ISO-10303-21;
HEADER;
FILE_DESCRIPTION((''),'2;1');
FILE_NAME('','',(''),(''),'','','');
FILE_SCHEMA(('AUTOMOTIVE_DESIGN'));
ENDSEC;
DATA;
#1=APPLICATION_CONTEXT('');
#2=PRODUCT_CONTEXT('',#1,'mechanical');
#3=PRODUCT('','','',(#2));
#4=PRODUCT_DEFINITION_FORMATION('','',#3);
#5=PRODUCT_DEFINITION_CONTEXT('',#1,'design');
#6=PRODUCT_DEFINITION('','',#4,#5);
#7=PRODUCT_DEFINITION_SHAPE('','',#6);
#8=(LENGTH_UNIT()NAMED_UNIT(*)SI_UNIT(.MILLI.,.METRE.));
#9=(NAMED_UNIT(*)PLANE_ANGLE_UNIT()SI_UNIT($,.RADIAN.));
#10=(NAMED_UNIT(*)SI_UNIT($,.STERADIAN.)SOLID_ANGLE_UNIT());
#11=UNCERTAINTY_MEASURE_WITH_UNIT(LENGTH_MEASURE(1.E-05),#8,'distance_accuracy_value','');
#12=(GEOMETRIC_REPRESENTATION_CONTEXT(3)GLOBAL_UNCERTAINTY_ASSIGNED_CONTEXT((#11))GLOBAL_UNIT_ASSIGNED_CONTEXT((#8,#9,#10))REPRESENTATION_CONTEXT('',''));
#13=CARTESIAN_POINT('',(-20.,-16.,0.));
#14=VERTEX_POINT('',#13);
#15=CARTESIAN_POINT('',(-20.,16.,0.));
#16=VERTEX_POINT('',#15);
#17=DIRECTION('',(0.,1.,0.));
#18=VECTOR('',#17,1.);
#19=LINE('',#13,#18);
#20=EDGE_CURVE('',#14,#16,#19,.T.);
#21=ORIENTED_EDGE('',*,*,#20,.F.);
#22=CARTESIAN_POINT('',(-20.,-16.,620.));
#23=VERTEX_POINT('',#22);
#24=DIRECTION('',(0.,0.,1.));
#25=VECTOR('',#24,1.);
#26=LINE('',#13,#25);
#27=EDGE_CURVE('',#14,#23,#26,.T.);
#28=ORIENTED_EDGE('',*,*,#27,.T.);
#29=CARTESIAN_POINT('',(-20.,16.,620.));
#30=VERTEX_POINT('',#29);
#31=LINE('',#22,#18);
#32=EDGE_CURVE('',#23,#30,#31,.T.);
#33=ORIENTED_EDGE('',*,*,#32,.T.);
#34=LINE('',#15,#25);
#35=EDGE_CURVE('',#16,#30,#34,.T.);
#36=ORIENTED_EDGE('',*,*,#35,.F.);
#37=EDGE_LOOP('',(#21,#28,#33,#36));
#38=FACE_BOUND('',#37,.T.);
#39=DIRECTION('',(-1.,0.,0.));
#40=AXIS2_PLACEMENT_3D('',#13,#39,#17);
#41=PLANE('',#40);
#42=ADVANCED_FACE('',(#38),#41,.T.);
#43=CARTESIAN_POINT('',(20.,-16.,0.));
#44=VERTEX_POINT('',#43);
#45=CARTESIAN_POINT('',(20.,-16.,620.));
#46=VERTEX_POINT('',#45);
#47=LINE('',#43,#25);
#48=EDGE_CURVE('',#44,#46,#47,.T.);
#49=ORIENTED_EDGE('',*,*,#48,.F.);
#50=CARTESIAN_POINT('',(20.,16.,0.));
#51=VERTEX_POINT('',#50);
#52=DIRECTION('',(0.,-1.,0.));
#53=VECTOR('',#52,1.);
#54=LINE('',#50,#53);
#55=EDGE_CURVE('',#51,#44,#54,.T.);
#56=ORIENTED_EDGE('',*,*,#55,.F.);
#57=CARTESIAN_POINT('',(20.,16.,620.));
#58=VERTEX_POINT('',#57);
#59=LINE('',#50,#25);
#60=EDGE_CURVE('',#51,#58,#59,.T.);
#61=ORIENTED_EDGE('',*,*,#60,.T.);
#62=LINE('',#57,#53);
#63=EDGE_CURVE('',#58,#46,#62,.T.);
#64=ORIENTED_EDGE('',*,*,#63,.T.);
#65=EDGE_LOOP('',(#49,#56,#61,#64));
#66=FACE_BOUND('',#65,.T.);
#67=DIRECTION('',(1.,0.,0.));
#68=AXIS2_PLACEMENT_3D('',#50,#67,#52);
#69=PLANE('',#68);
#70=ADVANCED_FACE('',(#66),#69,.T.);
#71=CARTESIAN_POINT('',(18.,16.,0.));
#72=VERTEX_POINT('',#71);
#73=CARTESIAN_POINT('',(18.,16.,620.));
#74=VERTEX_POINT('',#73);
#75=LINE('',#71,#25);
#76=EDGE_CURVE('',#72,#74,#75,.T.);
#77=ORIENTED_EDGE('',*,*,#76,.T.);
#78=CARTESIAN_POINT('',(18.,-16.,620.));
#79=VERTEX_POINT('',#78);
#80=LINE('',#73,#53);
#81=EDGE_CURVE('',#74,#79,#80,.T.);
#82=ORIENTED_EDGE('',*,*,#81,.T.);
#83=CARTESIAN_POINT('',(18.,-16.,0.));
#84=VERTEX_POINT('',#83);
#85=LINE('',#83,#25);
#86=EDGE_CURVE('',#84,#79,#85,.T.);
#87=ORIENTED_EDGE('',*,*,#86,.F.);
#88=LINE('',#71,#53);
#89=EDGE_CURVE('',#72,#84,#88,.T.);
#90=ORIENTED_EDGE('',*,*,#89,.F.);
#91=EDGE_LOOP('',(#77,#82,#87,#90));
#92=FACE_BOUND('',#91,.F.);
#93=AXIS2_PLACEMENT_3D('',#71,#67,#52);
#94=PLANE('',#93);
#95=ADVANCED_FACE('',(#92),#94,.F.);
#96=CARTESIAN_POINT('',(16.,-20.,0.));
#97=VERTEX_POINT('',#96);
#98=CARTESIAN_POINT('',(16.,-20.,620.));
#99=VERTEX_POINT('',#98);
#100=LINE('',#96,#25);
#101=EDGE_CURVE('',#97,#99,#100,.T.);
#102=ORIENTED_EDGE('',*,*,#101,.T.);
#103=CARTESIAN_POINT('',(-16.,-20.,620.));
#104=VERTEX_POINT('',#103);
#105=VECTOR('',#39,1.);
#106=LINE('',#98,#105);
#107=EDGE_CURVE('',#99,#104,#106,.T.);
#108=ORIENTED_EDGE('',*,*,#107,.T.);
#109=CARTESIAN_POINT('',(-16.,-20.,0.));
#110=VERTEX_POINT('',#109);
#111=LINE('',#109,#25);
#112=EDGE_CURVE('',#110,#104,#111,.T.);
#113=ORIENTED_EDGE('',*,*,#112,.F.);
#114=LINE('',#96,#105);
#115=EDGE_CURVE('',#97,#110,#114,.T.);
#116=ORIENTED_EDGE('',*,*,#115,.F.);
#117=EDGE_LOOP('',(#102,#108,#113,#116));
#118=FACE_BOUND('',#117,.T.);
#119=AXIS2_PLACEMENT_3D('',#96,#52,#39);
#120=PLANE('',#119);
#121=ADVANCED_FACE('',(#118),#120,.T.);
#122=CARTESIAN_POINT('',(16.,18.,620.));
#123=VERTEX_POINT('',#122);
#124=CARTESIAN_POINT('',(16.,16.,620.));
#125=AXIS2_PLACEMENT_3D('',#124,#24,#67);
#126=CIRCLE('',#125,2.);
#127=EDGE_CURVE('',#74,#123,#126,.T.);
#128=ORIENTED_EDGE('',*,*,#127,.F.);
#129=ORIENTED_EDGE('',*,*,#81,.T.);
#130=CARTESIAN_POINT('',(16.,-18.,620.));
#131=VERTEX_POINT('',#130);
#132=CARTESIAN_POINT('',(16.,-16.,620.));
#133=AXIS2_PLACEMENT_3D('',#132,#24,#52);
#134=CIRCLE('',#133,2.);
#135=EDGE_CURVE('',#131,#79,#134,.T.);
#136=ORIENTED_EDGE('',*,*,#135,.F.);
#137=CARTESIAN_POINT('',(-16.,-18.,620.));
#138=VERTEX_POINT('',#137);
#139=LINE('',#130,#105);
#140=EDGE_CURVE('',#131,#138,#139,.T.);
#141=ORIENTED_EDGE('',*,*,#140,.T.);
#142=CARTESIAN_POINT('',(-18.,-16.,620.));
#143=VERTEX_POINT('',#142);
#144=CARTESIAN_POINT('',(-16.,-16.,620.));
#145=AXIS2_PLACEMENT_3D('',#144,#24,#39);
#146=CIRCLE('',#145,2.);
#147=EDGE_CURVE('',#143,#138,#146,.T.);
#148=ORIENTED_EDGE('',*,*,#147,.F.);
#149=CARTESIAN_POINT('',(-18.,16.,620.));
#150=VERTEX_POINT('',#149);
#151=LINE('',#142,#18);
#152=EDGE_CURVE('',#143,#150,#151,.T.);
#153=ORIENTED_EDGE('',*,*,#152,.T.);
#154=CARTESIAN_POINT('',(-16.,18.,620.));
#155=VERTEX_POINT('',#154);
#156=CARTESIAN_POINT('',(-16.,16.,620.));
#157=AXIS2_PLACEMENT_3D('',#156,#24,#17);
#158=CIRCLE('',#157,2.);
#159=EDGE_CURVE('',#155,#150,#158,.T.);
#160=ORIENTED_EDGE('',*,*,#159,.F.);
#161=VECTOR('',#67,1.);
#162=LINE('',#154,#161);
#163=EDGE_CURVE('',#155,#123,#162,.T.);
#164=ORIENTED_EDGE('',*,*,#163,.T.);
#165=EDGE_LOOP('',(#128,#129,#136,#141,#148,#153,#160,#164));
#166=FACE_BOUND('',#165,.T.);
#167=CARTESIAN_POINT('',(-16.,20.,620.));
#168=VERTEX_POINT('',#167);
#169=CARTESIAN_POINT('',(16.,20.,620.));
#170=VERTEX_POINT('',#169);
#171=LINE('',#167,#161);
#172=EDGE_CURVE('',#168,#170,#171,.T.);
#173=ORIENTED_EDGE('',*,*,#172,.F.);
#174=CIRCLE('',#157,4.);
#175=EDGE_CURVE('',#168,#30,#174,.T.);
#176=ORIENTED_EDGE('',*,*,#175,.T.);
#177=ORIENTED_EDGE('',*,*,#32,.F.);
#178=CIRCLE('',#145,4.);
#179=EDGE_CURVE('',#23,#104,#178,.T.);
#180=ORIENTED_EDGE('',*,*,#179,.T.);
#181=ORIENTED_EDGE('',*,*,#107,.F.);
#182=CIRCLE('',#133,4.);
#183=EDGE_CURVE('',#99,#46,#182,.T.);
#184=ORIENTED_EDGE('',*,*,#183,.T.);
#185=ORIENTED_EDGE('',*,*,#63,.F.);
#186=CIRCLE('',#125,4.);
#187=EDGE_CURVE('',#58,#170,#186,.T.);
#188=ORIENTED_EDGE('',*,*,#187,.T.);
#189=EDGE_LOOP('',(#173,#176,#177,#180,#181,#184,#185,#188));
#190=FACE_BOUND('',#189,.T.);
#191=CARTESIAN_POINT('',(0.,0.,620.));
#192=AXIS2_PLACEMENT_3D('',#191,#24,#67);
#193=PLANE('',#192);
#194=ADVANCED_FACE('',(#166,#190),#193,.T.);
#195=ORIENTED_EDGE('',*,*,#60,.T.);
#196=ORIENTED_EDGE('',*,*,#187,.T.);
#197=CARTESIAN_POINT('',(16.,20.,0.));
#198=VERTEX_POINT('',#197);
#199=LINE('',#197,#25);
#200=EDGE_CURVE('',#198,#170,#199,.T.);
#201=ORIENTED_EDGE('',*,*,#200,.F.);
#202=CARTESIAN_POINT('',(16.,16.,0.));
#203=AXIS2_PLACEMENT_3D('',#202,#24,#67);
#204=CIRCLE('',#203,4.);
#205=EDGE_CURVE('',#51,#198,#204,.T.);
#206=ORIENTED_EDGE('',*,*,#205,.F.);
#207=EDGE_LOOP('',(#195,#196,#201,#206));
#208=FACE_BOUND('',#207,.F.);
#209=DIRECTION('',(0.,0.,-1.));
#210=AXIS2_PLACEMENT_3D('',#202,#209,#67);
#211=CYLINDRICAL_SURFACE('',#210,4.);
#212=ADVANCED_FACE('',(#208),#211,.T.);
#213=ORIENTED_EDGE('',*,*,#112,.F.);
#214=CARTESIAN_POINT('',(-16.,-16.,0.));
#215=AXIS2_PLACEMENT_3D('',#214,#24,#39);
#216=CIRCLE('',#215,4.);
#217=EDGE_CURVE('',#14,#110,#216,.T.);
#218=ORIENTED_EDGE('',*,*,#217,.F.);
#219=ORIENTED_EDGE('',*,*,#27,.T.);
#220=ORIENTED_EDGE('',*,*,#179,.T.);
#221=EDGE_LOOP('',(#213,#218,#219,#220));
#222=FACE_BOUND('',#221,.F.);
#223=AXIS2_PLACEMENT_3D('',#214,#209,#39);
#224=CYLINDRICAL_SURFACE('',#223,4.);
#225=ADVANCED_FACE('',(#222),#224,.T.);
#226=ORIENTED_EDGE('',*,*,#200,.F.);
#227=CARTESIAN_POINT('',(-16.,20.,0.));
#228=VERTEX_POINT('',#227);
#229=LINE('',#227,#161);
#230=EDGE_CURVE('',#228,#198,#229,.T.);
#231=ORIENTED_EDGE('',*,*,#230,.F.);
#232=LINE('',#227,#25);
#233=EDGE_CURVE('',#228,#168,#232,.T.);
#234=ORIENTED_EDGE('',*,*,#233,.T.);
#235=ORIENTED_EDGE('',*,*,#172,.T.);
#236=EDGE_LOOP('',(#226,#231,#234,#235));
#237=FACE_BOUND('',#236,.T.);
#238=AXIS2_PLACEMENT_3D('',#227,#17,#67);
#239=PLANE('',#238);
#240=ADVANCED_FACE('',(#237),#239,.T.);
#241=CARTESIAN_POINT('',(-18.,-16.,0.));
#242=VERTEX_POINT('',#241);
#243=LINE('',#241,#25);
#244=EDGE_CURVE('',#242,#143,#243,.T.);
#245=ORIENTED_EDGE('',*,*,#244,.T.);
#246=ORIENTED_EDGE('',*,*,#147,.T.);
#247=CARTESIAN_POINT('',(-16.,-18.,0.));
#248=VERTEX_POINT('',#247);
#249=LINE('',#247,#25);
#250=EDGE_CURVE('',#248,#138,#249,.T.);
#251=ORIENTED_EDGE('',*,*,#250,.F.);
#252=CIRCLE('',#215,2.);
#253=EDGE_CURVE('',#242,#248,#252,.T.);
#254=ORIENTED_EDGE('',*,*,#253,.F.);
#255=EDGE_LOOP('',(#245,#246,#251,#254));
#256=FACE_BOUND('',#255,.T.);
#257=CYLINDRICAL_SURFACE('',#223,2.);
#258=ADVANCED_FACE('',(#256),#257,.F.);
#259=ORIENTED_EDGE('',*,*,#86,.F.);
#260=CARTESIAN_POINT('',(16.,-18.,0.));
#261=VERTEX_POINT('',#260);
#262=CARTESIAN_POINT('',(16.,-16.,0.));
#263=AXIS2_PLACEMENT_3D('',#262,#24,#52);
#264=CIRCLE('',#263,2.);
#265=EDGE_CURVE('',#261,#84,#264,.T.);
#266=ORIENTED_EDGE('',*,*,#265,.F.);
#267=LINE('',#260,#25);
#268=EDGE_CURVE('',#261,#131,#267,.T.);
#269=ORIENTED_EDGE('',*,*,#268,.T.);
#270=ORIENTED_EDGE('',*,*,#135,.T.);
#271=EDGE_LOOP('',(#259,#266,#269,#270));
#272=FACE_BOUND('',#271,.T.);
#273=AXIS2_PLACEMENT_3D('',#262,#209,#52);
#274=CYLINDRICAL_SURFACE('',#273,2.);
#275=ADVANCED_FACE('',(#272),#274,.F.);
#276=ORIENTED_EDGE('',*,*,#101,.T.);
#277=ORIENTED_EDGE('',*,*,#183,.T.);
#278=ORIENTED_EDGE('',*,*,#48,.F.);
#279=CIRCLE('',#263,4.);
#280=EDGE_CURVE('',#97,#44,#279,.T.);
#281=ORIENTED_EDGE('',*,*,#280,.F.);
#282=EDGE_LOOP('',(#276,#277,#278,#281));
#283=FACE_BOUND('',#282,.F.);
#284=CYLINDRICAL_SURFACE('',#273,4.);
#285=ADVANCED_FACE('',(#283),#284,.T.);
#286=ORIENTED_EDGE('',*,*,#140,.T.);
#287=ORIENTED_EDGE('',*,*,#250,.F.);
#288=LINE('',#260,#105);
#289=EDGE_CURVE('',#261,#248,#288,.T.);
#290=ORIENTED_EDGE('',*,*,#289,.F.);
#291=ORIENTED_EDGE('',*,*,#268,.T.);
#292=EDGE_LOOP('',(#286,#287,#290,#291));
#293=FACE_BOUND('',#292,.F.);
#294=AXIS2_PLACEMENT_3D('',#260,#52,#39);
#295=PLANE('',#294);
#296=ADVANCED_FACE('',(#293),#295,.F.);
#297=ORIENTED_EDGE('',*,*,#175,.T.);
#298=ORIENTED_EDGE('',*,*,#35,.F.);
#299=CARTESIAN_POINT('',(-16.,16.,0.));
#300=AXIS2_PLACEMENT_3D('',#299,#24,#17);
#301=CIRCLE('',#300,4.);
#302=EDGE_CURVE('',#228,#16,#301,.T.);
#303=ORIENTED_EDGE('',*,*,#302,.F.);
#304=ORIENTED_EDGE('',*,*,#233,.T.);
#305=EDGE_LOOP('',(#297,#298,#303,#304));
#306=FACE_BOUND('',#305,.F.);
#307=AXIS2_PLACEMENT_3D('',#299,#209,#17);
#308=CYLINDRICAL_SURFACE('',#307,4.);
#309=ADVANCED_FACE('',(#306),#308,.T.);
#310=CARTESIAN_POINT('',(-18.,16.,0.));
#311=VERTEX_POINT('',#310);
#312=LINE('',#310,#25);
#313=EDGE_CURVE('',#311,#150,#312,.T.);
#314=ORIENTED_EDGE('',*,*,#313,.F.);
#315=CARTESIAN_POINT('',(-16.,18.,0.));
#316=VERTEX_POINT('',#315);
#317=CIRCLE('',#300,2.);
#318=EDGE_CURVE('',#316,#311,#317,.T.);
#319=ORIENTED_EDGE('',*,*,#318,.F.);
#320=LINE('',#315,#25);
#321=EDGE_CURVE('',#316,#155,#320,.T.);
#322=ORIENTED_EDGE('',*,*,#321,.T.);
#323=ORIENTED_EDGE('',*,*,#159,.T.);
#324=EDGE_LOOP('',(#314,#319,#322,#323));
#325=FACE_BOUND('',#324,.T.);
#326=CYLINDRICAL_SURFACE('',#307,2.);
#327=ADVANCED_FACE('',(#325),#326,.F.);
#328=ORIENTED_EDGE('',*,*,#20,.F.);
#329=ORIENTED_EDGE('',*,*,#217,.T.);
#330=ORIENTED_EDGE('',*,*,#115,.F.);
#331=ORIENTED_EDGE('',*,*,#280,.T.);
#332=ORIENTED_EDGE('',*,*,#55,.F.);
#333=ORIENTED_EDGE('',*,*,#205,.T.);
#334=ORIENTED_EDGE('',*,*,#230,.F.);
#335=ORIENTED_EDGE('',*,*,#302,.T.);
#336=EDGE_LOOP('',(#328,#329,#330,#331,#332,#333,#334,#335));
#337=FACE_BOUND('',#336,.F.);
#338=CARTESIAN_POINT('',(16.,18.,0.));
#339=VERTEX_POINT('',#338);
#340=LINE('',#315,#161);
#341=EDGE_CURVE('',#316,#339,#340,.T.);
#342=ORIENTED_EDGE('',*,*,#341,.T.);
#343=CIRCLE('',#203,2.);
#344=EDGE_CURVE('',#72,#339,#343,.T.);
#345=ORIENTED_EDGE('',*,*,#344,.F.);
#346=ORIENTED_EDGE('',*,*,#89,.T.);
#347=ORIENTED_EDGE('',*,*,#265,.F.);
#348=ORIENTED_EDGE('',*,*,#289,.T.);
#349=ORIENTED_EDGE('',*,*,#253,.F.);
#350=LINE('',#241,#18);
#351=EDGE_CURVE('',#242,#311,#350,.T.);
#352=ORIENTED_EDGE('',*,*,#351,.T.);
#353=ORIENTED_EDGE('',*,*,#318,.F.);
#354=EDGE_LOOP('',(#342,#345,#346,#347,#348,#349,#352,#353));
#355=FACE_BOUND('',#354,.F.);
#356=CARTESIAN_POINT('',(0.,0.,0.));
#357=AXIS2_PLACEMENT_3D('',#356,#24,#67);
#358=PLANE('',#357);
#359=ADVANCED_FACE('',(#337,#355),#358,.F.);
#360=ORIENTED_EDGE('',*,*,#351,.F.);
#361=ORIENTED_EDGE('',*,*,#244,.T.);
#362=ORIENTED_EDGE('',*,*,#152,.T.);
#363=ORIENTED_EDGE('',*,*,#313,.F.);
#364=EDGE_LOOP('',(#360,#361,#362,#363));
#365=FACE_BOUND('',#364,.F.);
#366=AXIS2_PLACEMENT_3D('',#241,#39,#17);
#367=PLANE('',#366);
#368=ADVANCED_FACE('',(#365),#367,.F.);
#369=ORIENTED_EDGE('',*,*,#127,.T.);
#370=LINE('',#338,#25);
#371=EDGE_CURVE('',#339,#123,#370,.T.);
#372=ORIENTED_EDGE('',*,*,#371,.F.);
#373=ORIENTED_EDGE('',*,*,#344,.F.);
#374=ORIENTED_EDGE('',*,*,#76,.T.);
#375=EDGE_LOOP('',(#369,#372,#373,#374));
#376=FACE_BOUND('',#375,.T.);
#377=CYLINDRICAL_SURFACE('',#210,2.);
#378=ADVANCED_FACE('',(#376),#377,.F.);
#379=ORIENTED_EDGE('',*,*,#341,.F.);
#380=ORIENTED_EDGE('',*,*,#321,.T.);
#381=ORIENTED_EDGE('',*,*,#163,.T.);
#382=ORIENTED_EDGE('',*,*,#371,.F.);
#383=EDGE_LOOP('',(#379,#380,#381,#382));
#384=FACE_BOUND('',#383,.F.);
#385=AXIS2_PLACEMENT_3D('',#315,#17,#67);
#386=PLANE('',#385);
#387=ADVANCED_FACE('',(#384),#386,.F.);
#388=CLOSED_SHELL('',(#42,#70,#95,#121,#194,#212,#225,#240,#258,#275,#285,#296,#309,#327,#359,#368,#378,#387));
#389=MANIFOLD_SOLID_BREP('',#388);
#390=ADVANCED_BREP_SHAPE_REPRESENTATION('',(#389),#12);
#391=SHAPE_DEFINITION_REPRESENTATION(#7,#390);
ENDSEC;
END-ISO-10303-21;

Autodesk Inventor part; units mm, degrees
ref_plane "YZ Plane" through (0, 0, 0) normal (1, 0, 0) x (0, 1, 0)
ref_plane "Piano iniziale" through (0, 0, 0) normal (0, 0, 1) x (1, 0, 0)
ref_plane "Piano finale" through (0, 0, 620) normal (0, 0, 1) x (1, 0, 0)
sketch "Schizzo" plane through (0, 0, 0) normal (0, 0, 1) x (1, 0, 0)
  line L0 (-20, -16) -> (-20, 16)
  line L1 (-16, 20) -> (16, 20)
  line L2 (20, 16) -> (20, -16)
  line L3 (16, -20) -> (-16, -20)
  arc A0 (-20, -16) -> (-16, -20) centre (-16, -16) ccw
  arc A1 (20, 16) -> (16, 20) centre (16, 16) ccw
  arc A2 (-16, 20) -> (-20, 16) centre (-16, 16) ccw
  arc A3 (16, -20) -> (20, -16) centre (16, -16) ccw
  arc A4 (-16, 18) -> (-18, 16) centre (-16, 16) ccw
  line L4 (-16, 18) -> (16, 18)
  arc A5 (18, 16) -> (16, 18) centre (16, 16) ccw
  line L5 (18, 16) -> (18, -16)
  arc A6 (16, -18) -> (18, -16) centre (16, -16) ccw
  line L6 (16, -18) -> (-16, -18)
  arc A7 (-18, -16) -> (-16, -18) centre (-16, -16) ccw
  line L7 (-18, -16) -> (-18, 16)
  line L8 (0, 29.1598) -> (0, -29.1598) construction
  line L9 (-29.1598, 0) -> (29.1598, 0) construction
  dimension "d7" = 4
  dimension "d9" = 40
  dimension "d11" = 40
  dimension "d12" = 2
  dimension "d15" = 20
  dimension "d16" = 20
extrude "Corpo" add sketch "Schizzo" along normal up to surface (620 mm away) from surface at 0
sketch "Sketch3" plane through (0, 0, 0) normal (0, 0, 1) x (1, 0, 0)
  line L0 (0, 0) -> (10, 0)
ref_plane "Work Plane3" through (0, 0, 0) normal (0, -1, 0) x (1, 0, 0)
sketch "Sketch4" plane through (0, 0, 0) normal (0, -1, 0) x (1, 0, 0)
  line L0 (-2, 0) -> (12, 0)
  line L1 (-2, 620) -> (12, 620)
  dimension "d18" = 620
equation "\"d7\" = G_IR"
equation "\"d9\" = G_W"
equation "\"d11\" = G_H"
equation "\"d12\" = G_T"
equation "\"d15\" = 0.5 * d9"
equation "\"d16\" = 0.5 * d11"
equation "\"d3\" = G_L"
equation "\"G_W\" = 40"
equation "\"G_H\" = 40"
equation "\"G_T\" = 2"
equation "\"G_IR\" = 4"
equation "\"G_L\" = d18"
equation "\"G_OFFSET_START\" = 0"
equation "\"G_OFFSET_END\" = 0"
properties part number "ISO 10799-2 - 40x40x2 - 620" material "Acciaio, Dolce"
